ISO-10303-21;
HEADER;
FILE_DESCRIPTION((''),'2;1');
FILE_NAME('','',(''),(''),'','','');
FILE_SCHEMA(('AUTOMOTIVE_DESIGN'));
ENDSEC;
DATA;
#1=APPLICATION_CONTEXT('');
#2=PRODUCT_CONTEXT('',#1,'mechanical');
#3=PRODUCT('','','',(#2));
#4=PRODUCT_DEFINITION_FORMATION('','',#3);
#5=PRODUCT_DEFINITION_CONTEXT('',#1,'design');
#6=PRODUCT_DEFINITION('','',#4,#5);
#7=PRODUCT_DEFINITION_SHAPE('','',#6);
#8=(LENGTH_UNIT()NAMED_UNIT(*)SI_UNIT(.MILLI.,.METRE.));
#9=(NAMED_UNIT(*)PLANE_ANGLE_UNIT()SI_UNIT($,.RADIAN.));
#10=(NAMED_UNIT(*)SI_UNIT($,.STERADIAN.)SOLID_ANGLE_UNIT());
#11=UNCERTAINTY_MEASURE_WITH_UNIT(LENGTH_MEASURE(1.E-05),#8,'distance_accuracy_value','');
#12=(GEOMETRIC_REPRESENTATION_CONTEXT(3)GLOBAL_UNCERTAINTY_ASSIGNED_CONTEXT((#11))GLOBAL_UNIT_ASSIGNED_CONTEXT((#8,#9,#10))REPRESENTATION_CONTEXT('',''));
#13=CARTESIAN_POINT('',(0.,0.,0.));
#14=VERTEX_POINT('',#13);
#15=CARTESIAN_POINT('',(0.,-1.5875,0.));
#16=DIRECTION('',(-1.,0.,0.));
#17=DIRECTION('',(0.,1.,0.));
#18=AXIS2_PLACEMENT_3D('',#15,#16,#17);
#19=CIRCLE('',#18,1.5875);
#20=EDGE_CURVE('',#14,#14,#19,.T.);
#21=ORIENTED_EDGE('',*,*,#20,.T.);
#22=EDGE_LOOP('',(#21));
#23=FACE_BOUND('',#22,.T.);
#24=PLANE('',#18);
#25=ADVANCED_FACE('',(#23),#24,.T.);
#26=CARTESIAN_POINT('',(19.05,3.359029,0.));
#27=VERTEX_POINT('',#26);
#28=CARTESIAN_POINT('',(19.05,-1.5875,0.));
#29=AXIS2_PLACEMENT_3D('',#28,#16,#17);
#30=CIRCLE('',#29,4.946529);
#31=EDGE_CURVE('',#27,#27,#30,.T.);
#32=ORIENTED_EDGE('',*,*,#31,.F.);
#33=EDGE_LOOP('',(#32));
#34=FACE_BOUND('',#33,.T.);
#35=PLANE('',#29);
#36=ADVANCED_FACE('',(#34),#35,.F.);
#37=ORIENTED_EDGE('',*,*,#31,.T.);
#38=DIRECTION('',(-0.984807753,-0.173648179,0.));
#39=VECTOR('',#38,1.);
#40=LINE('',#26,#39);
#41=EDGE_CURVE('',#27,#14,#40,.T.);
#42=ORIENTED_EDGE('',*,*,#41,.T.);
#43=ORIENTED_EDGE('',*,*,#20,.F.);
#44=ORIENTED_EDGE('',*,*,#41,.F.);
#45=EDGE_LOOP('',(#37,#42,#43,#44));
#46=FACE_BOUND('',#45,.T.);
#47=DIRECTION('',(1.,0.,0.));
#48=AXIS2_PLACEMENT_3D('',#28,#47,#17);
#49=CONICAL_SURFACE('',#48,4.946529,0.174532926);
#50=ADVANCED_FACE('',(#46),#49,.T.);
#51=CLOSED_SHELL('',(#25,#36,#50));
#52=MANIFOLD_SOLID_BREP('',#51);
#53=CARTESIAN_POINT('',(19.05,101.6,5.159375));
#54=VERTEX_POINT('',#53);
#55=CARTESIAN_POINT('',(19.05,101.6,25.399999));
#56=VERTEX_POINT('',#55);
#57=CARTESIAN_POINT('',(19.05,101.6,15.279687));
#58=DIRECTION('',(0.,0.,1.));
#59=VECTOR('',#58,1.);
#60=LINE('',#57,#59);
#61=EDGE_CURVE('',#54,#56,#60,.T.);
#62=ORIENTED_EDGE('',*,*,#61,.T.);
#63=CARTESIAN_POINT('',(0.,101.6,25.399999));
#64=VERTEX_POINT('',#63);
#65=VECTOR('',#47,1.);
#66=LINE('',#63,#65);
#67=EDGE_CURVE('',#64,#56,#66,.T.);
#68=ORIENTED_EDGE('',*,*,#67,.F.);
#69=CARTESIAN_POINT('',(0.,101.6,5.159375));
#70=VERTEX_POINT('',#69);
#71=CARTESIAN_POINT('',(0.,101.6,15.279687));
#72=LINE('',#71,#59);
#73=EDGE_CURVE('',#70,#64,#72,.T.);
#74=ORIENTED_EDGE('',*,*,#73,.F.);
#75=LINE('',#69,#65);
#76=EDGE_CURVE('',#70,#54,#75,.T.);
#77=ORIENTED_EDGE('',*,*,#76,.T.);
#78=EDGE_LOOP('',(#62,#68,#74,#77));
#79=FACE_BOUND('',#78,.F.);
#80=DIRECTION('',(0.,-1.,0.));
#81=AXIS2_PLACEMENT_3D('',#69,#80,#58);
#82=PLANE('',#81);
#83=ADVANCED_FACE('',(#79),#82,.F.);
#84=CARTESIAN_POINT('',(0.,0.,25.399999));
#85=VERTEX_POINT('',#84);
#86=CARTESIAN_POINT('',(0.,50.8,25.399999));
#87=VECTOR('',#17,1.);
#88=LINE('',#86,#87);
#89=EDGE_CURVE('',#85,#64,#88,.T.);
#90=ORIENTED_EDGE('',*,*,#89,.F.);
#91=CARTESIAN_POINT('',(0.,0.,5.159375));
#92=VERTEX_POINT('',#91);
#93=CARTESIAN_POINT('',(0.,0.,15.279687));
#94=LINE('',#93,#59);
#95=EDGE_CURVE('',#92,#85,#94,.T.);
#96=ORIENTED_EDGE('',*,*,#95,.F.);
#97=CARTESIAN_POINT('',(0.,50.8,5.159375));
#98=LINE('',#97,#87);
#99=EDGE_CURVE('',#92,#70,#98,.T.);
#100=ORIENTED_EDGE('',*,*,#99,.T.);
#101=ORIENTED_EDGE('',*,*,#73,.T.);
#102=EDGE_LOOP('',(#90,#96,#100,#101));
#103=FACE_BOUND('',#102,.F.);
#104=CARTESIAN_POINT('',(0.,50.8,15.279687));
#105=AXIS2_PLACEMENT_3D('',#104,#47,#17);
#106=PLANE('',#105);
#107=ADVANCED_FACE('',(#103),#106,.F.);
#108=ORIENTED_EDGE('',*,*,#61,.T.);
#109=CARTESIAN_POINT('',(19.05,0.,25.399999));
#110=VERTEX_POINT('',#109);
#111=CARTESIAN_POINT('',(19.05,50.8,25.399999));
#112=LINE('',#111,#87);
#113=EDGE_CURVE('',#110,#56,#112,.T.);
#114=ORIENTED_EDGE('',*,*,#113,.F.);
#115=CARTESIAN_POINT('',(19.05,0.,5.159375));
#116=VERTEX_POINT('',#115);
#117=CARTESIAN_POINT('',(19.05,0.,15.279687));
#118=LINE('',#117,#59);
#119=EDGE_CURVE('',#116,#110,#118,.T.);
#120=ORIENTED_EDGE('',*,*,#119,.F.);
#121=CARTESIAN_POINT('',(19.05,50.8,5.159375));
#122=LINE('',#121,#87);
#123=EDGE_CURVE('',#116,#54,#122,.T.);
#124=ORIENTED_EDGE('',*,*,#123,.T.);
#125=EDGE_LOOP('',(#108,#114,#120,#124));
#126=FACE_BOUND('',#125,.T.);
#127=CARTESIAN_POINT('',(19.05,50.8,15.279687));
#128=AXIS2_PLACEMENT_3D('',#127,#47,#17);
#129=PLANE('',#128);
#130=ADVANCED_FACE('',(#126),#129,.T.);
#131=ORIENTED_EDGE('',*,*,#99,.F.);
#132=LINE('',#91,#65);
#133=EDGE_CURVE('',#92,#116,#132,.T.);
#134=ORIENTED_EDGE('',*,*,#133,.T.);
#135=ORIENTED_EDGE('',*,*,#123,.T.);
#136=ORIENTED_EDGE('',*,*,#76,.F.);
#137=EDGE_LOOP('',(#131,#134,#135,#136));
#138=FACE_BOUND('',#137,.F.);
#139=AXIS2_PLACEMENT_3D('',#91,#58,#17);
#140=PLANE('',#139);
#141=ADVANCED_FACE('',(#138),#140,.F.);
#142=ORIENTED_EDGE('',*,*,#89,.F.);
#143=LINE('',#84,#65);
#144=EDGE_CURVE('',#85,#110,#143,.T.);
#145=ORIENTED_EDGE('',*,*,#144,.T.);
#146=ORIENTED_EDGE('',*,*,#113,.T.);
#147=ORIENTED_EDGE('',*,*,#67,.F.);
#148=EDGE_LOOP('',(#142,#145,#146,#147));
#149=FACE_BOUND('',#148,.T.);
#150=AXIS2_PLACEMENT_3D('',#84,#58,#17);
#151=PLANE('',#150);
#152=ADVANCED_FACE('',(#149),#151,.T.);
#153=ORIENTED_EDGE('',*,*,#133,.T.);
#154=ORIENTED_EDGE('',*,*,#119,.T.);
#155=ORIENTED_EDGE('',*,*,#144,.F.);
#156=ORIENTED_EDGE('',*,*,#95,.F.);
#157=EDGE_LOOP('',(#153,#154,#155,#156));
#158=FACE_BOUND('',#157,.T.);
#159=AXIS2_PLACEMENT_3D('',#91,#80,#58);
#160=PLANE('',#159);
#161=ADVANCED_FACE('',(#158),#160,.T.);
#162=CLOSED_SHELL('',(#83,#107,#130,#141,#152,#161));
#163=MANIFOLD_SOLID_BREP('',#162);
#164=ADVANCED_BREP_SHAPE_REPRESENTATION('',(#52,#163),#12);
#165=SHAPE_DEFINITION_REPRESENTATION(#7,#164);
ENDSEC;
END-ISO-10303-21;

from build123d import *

# Parameters (mm, degrees)
F3_W     = 101.6
F3_H     = 20.240625
F4_DEPTH = 19.05


with BuildPart() as f4:
    # F3 (on Right) → F4 (new body)
    with BuildSketch(Plane.YZ):
        with Locations((50.8, 15.279687)):
            Rectangle(F3_W, F3_H)
    extrude(amount=F4_DEPTH)


with BuildPart() as f6:
    # F5 (on Top) → F6 (revolve)
    with BuildSketch(Plane.XY):
        Polygon((19.05, 3.359029), (0, 0), (0, -1.5875), (19.05, -1.5875), align=None)
    revolve(axis=Axis((9.525, -1.5875, 0), (-1, 0, 0)))


solid = Compound([f4.part, f6.part])
